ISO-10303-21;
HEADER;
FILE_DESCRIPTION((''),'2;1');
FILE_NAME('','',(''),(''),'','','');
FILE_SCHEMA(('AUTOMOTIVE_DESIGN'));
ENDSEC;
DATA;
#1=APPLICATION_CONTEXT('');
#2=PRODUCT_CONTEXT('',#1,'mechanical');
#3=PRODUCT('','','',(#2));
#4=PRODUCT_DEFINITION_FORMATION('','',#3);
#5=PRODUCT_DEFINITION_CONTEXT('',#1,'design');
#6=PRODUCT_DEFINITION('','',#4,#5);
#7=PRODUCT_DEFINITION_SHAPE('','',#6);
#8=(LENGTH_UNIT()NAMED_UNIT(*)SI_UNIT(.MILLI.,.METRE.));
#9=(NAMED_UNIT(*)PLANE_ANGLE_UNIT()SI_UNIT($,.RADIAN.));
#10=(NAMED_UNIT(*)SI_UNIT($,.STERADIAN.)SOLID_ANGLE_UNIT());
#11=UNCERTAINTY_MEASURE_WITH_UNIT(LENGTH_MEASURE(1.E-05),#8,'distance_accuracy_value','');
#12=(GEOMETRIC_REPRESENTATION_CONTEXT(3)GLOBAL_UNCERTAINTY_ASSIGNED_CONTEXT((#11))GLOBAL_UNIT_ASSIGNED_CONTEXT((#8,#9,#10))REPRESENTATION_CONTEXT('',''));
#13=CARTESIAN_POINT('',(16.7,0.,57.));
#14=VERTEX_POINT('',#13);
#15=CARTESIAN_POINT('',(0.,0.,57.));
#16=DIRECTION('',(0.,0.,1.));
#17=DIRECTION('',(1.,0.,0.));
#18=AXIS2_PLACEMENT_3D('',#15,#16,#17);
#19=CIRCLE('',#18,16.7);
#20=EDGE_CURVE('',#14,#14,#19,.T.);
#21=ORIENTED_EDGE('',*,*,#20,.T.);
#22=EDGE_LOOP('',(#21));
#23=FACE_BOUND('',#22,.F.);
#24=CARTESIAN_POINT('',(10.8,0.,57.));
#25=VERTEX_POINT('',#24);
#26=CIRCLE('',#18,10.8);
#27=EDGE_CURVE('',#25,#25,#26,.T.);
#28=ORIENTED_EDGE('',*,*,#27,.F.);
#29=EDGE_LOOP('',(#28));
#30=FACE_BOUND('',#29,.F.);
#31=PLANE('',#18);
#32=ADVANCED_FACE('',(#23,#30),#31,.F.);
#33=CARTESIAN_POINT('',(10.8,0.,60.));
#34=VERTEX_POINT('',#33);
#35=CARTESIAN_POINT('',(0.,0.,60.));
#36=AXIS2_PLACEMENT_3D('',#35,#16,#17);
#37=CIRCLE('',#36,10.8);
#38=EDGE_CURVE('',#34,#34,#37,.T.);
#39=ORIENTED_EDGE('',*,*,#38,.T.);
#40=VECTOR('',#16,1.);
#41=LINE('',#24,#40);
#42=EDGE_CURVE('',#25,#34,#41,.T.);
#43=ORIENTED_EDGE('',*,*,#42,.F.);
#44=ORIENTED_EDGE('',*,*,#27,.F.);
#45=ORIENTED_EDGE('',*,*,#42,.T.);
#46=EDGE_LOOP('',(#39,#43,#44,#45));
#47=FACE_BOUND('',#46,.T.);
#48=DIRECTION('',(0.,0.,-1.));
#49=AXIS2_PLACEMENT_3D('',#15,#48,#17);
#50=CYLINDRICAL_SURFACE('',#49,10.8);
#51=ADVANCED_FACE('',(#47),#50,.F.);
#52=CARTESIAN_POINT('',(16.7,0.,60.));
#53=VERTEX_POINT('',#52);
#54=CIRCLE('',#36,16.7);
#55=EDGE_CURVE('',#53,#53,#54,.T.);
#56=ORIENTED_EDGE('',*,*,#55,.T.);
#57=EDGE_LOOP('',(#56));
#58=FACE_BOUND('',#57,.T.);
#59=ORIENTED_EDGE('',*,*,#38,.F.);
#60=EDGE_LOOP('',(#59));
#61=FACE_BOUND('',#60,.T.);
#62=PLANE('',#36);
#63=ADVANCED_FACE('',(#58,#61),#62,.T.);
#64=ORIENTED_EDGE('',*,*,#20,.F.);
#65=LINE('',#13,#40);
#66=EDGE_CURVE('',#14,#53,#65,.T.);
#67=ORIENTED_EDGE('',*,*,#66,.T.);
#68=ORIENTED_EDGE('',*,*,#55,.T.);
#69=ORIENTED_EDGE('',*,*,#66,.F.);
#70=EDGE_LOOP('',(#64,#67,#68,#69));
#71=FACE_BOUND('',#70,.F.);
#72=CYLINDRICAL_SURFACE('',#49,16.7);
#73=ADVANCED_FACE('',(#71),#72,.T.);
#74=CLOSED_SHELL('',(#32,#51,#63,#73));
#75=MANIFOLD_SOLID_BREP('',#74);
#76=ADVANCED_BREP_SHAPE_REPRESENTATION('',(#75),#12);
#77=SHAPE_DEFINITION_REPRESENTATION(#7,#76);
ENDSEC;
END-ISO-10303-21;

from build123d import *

# Parameters (mm, degrees)
CYLINDER002_R     = 10.8
CYLINDER002_DEPTH = 3
CYLINDER004_R     = 16.7
CYLINDER004_DEPTH = 3


with BuildPart() as cylinder002:
    # Cylinder002 → Cylinder002 (new body)
    with BuildSketch(Plane.XY.offset(57)):
        Circle(CYLINDER002_R)
    extrude(amount=CYLINDER002_DEPTH)


with BuildPart() as anillo:
    # Cylinder004 → Cylinder004 (new body)
    with BuildSketch(Plane.XY.offset(57)):
        Circle(CYLINDER004_R)
    extrude(amount=CYLINDER004_DEPTH)

    # Cut: cut Cylinder002
    add(cylinder002.part, mode=Mode.SUBTRACT)


solid = anillo.part
